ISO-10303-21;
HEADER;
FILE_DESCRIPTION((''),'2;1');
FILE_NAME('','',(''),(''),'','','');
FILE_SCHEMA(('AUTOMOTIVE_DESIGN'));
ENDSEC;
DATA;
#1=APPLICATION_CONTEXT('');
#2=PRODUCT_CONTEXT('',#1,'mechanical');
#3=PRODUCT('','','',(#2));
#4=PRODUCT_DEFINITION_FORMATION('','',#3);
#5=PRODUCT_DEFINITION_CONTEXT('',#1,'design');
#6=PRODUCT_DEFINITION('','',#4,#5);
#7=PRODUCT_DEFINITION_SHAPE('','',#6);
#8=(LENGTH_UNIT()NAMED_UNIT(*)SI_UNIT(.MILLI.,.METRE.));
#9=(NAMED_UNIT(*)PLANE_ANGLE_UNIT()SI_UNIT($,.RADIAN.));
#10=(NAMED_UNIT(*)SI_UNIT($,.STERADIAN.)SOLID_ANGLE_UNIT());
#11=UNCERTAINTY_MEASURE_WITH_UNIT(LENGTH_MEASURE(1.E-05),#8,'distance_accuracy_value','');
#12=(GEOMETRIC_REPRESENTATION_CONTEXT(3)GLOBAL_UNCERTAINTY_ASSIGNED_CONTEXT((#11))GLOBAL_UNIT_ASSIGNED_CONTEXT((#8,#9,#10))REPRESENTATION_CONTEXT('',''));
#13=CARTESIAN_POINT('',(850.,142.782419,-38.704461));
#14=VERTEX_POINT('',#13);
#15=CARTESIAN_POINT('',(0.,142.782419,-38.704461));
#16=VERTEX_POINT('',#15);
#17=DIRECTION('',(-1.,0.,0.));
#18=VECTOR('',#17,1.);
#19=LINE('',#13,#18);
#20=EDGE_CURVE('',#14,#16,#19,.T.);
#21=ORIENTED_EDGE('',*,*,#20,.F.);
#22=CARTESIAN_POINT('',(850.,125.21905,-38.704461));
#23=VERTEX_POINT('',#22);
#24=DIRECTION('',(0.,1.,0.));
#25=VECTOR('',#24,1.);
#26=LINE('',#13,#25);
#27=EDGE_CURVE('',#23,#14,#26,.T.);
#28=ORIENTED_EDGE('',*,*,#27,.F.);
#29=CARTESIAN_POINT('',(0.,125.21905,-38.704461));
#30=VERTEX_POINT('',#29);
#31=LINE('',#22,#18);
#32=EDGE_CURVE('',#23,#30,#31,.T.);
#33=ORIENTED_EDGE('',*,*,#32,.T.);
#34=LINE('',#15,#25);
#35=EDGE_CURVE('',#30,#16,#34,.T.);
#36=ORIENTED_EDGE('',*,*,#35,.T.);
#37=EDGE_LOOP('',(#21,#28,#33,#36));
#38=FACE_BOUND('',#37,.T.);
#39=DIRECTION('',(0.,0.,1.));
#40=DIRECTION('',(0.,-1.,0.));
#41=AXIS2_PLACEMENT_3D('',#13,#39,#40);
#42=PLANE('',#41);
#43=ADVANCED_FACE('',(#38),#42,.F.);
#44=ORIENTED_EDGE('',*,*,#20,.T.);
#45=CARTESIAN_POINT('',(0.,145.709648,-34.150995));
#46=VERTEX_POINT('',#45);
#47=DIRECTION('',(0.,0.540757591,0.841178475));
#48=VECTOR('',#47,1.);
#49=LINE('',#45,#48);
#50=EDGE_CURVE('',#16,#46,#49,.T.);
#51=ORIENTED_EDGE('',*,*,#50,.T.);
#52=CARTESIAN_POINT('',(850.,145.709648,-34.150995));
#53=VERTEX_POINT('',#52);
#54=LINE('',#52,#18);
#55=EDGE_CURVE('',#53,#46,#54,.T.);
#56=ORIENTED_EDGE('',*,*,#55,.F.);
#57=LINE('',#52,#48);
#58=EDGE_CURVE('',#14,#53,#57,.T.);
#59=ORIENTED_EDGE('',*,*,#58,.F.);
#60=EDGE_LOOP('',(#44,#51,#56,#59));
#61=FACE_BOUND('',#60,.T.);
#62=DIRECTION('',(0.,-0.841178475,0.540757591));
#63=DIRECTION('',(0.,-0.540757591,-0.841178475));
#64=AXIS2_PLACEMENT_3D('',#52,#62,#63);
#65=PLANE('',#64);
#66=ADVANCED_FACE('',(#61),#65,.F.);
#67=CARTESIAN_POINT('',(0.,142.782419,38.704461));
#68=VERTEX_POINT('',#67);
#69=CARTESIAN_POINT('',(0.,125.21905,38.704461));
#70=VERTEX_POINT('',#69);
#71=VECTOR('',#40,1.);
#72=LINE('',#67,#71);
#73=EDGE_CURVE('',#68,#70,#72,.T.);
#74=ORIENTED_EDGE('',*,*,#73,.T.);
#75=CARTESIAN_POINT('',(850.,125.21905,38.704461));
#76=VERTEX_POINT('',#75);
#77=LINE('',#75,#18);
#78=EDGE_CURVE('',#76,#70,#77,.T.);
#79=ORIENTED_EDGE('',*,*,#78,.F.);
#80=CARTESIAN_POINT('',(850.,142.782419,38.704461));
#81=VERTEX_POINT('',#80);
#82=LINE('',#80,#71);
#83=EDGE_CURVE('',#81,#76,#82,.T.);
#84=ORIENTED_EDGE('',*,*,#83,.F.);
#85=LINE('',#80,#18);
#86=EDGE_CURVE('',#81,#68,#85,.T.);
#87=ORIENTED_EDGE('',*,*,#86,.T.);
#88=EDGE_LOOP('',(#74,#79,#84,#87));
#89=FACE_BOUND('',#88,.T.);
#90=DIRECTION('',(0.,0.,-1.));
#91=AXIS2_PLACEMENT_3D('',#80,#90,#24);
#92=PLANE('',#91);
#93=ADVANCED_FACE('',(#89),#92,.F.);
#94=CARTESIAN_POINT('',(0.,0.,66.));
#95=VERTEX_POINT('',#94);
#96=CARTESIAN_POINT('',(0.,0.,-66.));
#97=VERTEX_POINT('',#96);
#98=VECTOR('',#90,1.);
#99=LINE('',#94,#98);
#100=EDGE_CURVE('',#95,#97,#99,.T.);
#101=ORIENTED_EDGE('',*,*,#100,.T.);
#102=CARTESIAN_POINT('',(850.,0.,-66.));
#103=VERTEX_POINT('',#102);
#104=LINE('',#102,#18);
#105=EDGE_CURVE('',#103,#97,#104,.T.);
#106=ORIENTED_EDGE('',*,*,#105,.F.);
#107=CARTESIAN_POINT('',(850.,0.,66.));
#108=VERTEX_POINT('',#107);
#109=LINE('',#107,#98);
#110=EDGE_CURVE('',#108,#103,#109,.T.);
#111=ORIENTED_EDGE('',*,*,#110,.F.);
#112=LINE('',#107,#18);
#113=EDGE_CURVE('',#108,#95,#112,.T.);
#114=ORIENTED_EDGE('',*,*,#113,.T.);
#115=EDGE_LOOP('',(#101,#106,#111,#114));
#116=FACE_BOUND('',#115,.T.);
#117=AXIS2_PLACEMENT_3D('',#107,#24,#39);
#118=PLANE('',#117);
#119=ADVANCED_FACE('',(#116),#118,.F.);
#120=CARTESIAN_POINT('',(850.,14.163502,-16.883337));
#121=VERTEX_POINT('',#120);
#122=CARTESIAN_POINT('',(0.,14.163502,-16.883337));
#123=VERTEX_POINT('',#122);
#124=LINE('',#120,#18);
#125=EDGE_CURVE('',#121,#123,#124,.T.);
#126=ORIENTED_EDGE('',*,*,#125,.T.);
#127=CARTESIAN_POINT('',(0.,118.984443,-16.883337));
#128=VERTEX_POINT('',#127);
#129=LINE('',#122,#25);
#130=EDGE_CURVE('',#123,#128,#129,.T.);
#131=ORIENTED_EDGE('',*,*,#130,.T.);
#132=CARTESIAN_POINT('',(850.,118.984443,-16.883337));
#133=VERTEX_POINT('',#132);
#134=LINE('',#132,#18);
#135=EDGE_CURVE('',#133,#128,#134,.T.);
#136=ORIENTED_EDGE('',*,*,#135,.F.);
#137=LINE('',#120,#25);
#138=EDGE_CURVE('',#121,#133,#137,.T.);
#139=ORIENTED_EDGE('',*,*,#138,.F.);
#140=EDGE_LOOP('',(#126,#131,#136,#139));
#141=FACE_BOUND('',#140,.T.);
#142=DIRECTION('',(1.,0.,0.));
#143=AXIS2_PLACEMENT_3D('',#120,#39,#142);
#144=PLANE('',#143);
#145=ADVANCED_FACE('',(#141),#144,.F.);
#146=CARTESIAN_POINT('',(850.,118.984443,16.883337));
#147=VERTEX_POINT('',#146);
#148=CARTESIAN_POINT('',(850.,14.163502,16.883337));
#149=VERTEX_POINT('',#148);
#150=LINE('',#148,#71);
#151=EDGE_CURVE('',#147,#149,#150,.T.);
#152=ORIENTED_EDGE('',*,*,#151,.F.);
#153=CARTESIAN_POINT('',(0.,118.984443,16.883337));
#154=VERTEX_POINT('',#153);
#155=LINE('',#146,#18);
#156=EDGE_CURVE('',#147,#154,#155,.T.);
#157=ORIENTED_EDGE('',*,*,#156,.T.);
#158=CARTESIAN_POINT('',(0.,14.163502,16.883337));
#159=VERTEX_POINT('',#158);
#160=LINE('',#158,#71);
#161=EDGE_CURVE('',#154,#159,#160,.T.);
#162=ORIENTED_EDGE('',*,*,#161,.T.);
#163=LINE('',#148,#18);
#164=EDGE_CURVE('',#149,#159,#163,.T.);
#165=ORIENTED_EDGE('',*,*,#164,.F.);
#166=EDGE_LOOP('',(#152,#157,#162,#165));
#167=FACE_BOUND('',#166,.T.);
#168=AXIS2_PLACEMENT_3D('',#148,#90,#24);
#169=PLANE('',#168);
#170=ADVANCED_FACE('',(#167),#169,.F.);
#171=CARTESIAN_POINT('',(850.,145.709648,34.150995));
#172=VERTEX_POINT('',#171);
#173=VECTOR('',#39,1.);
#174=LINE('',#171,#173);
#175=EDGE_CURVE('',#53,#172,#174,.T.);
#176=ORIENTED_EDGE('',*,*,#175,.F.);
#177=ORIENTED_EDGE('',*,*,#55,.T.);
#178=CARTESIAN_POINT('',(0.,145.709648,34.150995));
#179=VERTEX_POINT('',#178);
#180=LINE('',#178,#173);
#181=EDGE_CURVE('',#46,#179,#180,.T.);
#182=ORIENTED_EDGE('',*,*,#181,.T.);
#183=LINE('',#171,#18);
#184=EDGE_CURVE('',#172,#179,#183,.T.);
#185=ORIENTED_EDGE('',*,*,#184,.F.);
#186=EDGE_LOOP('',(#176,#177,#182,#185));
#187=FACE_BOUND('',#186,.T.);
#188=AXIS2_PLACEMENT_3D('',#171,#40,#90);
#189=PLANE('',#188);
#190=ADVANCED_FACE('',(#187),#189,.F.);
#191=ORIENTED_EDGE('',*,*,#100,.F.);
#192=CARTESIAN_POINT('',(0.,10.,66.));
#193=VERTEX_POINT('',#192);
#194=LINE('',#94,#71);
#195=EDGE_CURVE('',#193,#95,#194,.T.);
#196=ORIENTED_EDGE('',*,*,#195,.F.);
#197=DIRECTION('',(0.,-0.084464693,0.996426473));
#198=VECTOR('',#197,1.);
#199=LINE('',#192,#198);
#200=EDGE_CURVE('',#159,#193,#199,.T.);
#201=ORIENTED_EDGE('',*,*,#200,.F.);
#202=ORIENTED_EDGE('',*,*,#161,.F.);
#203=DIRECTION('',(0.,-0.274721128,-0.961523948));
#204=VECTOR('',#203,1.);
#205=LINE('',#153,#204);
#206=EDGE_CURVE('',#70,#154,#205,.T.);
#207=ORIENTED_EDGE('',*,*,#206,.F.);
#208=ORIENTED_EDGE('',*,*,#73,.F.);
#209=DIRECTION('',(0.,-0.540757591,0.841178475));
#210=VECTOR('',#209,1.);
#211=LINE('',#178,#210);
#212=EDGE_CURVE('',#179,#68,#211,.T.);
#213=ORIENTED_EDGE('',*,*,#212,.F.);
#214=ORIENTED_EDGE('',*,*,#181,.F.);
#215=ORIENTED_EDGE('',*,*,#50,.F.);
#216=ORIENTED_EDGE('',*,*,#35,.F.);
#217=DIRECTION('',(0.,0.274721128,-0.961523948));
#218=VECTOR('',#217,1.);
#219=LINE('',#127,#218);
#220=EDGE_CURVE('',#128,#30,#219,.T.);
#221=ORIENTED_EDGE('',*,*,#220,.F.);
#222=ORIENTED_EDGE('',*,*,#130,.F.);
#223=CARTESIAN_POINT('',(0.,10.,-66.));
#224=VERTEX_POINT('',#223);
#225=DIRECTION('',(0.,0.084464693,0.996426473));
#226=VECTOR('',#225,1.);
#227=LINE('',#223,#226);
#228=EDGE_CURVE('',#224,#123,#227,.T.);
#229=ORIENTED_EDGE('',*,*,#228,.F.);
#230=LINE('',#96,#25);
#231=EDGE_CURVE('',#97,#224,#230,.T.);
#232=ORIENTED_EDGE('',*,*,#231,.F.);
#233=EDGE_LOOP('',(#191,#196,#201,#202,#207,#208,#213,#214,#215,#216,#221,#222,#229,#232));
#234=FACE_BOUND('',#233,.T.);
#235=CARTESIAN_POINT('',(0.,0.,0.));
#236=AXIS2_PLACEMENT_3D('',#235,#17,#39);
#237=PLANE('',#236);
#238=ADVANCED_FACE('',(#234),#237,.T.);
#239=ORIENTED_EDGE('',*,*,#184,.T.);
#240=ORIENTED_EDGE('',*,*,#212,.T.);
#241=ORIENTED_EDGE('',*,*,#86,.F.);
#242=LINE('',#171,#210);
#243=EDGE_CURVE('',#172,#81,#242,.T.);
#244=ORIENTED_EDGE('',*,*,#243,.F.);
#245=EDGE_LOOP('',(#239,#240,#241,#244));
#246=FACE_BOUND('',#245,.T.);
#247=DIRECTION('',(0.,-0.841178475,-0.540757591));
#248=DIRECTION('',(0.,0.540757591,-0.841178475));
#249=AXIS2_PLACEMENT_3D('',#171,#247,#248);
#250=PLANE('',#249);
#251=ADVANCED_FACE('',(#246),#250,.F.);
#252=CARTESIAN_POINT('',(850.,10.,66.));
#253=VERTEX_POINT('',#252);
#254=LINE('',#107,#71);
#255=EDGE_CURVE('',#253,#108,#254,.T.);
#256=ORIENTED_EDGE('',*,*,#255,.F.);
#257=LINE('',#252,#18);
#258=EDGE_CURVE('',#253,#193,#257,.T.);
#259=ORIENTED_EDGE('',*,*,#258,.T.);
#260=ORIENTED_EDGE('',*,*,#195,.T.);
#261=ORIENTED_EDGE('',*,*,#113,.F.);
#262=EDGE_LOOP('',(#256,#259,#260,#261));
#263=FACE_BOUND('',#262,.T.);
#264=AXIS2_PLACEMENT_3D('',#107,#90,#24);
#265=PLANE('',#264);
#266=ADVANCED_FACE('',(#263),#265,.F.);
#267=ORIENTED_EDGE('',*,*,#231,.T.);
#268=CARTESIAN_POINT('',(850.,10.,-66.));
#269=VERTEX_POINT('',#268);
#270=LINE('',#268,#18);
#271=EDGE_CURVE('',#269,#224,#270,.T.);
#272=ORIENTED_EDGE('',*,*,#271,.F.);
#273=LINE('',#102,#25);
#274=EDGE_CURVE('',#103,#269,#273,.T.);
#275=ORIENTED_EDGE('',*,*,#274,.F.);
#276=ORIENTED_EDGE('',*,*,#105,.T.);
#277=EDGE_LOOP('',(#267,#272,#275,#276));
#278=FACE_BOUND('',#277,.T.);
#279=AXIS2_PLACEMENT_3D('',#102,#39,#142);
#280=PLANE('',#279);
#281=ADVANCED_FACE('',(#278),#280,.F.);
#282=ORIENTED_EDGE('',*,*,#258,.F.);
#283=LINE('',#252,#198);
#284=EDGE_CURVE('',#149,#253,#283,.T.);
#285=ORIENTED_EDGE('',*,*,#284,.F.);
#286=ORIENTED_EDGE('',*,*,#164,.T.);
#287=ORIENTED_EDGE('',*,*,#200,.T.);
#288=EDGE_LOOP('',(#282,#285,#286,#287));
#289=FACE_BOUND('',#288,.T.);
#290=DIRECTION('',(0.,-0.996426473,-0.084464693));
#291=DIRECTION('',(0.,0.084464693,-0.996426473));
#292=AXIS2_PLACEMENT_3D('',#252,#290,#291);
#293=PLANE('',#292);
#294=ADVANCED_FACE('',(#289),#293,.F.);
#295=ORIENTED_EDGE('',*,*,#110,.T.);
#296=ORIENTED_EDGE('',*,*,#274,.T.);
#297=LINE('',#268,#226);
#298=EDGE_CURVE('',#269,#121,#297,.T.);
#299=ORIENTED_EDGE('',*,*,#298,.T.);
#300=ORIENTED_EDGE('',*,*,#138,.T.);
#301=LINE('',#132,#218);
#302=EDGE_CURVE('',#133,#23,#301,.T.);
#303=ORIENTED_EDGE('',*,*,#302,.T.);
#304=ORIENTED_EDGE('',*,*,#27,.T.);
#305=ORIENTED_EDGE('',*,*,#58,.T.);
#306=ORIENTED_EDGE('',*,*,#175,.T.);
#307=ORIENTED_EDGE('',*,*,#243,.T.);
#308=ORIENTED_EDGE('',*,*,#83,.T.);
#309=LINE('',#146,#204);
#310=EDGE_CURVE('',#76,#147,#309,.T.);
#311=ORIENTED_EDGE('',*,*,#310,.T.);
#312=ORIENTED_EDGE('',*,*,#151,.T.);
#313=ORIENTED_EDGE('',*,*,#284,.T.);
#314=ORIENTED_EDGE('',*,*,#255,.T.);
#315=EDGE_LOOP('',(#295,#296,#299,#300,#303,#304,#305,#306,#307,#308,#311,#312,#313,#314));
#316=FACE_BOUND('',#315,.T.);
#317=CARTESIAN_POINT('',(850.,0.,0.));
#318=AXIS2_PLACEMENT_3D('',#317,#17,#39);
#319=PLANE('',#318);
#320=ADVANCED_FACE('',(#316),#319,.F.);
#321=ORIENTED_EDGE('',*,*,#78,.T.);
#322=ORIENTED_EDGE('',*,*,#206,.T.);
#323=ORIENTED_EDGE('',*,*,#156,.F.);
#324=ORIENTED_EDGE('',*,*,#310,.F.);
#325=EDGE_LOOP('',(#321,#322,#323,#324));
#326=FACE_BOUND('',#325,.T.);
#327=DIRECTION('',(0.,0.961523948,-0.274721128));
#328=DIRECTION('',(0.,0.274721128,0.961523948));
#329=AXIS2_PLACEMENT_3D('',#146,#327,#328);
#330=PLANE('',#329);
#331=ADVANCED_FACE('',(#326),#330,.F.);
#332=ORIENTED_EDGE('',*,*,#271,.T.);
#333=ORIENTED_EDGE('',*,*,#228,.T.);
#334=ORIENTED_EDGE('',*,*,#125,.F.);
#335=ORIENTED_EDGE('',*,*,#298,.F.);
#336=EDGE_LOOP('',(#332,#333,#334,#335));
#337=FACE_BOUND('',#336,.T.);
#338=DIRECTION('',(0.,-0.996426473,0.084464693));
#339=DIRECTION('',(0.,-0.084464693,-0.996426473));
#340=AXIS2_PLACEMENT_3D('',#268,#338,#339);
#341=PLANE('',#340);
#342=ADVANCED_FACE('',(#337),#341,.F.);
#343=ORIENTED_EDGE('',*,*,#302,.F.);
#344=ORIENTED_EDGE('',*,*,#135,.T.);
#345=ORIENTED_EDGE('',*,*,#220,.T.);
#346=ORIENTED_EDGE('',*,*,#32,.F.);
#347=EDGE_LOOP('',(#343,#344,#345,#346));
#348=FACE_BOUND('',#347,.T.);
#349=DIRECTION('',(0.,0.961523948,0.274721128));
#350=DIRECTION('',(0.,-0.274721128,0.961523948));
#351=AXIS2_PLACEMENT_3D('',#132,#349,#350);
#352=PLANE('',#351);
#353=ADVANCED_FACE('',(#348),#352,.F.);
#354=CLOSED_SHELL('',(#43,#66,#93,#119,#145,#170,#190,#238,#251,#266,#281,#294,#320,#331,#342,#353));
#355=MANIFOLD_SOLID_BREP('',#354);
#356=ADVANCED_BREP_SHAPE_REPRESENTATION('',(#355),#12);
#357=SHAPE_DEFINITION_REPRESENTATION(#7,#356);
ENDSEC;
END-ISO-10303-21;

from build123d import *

# Parameters (mm, degrees)
EXTRUDE_1_DEPTH = 850


with BuildPart() as part:
    # Эскиз1 → Бобышка-Вытянуть1 (new body)
    with BuildSketch(Plane(origin=(0, 0, 0), x_dir=(0, 0, -1), z_dir=(1, 0, 0))):
        Polygon((-66, 0), (66, 0), (66, 10), (16.883336969, 14.163502235), (16.883336969, 118.984443331), (38.704461372, 125.219050303), (38.704461372, 142.782419329), (34.150995328, 145.7096475), (-34.150995328, 145.7096475), (-38.704461372, 142.782419329), (-38.704461372, 125.219050303), (-16.883336969, 118.984443331), (-16.883336969, 14.163502235), (-66, 10), align=None)
    extrude(amount=EXTRUDE_1_DEPTH)


solid = part.part
